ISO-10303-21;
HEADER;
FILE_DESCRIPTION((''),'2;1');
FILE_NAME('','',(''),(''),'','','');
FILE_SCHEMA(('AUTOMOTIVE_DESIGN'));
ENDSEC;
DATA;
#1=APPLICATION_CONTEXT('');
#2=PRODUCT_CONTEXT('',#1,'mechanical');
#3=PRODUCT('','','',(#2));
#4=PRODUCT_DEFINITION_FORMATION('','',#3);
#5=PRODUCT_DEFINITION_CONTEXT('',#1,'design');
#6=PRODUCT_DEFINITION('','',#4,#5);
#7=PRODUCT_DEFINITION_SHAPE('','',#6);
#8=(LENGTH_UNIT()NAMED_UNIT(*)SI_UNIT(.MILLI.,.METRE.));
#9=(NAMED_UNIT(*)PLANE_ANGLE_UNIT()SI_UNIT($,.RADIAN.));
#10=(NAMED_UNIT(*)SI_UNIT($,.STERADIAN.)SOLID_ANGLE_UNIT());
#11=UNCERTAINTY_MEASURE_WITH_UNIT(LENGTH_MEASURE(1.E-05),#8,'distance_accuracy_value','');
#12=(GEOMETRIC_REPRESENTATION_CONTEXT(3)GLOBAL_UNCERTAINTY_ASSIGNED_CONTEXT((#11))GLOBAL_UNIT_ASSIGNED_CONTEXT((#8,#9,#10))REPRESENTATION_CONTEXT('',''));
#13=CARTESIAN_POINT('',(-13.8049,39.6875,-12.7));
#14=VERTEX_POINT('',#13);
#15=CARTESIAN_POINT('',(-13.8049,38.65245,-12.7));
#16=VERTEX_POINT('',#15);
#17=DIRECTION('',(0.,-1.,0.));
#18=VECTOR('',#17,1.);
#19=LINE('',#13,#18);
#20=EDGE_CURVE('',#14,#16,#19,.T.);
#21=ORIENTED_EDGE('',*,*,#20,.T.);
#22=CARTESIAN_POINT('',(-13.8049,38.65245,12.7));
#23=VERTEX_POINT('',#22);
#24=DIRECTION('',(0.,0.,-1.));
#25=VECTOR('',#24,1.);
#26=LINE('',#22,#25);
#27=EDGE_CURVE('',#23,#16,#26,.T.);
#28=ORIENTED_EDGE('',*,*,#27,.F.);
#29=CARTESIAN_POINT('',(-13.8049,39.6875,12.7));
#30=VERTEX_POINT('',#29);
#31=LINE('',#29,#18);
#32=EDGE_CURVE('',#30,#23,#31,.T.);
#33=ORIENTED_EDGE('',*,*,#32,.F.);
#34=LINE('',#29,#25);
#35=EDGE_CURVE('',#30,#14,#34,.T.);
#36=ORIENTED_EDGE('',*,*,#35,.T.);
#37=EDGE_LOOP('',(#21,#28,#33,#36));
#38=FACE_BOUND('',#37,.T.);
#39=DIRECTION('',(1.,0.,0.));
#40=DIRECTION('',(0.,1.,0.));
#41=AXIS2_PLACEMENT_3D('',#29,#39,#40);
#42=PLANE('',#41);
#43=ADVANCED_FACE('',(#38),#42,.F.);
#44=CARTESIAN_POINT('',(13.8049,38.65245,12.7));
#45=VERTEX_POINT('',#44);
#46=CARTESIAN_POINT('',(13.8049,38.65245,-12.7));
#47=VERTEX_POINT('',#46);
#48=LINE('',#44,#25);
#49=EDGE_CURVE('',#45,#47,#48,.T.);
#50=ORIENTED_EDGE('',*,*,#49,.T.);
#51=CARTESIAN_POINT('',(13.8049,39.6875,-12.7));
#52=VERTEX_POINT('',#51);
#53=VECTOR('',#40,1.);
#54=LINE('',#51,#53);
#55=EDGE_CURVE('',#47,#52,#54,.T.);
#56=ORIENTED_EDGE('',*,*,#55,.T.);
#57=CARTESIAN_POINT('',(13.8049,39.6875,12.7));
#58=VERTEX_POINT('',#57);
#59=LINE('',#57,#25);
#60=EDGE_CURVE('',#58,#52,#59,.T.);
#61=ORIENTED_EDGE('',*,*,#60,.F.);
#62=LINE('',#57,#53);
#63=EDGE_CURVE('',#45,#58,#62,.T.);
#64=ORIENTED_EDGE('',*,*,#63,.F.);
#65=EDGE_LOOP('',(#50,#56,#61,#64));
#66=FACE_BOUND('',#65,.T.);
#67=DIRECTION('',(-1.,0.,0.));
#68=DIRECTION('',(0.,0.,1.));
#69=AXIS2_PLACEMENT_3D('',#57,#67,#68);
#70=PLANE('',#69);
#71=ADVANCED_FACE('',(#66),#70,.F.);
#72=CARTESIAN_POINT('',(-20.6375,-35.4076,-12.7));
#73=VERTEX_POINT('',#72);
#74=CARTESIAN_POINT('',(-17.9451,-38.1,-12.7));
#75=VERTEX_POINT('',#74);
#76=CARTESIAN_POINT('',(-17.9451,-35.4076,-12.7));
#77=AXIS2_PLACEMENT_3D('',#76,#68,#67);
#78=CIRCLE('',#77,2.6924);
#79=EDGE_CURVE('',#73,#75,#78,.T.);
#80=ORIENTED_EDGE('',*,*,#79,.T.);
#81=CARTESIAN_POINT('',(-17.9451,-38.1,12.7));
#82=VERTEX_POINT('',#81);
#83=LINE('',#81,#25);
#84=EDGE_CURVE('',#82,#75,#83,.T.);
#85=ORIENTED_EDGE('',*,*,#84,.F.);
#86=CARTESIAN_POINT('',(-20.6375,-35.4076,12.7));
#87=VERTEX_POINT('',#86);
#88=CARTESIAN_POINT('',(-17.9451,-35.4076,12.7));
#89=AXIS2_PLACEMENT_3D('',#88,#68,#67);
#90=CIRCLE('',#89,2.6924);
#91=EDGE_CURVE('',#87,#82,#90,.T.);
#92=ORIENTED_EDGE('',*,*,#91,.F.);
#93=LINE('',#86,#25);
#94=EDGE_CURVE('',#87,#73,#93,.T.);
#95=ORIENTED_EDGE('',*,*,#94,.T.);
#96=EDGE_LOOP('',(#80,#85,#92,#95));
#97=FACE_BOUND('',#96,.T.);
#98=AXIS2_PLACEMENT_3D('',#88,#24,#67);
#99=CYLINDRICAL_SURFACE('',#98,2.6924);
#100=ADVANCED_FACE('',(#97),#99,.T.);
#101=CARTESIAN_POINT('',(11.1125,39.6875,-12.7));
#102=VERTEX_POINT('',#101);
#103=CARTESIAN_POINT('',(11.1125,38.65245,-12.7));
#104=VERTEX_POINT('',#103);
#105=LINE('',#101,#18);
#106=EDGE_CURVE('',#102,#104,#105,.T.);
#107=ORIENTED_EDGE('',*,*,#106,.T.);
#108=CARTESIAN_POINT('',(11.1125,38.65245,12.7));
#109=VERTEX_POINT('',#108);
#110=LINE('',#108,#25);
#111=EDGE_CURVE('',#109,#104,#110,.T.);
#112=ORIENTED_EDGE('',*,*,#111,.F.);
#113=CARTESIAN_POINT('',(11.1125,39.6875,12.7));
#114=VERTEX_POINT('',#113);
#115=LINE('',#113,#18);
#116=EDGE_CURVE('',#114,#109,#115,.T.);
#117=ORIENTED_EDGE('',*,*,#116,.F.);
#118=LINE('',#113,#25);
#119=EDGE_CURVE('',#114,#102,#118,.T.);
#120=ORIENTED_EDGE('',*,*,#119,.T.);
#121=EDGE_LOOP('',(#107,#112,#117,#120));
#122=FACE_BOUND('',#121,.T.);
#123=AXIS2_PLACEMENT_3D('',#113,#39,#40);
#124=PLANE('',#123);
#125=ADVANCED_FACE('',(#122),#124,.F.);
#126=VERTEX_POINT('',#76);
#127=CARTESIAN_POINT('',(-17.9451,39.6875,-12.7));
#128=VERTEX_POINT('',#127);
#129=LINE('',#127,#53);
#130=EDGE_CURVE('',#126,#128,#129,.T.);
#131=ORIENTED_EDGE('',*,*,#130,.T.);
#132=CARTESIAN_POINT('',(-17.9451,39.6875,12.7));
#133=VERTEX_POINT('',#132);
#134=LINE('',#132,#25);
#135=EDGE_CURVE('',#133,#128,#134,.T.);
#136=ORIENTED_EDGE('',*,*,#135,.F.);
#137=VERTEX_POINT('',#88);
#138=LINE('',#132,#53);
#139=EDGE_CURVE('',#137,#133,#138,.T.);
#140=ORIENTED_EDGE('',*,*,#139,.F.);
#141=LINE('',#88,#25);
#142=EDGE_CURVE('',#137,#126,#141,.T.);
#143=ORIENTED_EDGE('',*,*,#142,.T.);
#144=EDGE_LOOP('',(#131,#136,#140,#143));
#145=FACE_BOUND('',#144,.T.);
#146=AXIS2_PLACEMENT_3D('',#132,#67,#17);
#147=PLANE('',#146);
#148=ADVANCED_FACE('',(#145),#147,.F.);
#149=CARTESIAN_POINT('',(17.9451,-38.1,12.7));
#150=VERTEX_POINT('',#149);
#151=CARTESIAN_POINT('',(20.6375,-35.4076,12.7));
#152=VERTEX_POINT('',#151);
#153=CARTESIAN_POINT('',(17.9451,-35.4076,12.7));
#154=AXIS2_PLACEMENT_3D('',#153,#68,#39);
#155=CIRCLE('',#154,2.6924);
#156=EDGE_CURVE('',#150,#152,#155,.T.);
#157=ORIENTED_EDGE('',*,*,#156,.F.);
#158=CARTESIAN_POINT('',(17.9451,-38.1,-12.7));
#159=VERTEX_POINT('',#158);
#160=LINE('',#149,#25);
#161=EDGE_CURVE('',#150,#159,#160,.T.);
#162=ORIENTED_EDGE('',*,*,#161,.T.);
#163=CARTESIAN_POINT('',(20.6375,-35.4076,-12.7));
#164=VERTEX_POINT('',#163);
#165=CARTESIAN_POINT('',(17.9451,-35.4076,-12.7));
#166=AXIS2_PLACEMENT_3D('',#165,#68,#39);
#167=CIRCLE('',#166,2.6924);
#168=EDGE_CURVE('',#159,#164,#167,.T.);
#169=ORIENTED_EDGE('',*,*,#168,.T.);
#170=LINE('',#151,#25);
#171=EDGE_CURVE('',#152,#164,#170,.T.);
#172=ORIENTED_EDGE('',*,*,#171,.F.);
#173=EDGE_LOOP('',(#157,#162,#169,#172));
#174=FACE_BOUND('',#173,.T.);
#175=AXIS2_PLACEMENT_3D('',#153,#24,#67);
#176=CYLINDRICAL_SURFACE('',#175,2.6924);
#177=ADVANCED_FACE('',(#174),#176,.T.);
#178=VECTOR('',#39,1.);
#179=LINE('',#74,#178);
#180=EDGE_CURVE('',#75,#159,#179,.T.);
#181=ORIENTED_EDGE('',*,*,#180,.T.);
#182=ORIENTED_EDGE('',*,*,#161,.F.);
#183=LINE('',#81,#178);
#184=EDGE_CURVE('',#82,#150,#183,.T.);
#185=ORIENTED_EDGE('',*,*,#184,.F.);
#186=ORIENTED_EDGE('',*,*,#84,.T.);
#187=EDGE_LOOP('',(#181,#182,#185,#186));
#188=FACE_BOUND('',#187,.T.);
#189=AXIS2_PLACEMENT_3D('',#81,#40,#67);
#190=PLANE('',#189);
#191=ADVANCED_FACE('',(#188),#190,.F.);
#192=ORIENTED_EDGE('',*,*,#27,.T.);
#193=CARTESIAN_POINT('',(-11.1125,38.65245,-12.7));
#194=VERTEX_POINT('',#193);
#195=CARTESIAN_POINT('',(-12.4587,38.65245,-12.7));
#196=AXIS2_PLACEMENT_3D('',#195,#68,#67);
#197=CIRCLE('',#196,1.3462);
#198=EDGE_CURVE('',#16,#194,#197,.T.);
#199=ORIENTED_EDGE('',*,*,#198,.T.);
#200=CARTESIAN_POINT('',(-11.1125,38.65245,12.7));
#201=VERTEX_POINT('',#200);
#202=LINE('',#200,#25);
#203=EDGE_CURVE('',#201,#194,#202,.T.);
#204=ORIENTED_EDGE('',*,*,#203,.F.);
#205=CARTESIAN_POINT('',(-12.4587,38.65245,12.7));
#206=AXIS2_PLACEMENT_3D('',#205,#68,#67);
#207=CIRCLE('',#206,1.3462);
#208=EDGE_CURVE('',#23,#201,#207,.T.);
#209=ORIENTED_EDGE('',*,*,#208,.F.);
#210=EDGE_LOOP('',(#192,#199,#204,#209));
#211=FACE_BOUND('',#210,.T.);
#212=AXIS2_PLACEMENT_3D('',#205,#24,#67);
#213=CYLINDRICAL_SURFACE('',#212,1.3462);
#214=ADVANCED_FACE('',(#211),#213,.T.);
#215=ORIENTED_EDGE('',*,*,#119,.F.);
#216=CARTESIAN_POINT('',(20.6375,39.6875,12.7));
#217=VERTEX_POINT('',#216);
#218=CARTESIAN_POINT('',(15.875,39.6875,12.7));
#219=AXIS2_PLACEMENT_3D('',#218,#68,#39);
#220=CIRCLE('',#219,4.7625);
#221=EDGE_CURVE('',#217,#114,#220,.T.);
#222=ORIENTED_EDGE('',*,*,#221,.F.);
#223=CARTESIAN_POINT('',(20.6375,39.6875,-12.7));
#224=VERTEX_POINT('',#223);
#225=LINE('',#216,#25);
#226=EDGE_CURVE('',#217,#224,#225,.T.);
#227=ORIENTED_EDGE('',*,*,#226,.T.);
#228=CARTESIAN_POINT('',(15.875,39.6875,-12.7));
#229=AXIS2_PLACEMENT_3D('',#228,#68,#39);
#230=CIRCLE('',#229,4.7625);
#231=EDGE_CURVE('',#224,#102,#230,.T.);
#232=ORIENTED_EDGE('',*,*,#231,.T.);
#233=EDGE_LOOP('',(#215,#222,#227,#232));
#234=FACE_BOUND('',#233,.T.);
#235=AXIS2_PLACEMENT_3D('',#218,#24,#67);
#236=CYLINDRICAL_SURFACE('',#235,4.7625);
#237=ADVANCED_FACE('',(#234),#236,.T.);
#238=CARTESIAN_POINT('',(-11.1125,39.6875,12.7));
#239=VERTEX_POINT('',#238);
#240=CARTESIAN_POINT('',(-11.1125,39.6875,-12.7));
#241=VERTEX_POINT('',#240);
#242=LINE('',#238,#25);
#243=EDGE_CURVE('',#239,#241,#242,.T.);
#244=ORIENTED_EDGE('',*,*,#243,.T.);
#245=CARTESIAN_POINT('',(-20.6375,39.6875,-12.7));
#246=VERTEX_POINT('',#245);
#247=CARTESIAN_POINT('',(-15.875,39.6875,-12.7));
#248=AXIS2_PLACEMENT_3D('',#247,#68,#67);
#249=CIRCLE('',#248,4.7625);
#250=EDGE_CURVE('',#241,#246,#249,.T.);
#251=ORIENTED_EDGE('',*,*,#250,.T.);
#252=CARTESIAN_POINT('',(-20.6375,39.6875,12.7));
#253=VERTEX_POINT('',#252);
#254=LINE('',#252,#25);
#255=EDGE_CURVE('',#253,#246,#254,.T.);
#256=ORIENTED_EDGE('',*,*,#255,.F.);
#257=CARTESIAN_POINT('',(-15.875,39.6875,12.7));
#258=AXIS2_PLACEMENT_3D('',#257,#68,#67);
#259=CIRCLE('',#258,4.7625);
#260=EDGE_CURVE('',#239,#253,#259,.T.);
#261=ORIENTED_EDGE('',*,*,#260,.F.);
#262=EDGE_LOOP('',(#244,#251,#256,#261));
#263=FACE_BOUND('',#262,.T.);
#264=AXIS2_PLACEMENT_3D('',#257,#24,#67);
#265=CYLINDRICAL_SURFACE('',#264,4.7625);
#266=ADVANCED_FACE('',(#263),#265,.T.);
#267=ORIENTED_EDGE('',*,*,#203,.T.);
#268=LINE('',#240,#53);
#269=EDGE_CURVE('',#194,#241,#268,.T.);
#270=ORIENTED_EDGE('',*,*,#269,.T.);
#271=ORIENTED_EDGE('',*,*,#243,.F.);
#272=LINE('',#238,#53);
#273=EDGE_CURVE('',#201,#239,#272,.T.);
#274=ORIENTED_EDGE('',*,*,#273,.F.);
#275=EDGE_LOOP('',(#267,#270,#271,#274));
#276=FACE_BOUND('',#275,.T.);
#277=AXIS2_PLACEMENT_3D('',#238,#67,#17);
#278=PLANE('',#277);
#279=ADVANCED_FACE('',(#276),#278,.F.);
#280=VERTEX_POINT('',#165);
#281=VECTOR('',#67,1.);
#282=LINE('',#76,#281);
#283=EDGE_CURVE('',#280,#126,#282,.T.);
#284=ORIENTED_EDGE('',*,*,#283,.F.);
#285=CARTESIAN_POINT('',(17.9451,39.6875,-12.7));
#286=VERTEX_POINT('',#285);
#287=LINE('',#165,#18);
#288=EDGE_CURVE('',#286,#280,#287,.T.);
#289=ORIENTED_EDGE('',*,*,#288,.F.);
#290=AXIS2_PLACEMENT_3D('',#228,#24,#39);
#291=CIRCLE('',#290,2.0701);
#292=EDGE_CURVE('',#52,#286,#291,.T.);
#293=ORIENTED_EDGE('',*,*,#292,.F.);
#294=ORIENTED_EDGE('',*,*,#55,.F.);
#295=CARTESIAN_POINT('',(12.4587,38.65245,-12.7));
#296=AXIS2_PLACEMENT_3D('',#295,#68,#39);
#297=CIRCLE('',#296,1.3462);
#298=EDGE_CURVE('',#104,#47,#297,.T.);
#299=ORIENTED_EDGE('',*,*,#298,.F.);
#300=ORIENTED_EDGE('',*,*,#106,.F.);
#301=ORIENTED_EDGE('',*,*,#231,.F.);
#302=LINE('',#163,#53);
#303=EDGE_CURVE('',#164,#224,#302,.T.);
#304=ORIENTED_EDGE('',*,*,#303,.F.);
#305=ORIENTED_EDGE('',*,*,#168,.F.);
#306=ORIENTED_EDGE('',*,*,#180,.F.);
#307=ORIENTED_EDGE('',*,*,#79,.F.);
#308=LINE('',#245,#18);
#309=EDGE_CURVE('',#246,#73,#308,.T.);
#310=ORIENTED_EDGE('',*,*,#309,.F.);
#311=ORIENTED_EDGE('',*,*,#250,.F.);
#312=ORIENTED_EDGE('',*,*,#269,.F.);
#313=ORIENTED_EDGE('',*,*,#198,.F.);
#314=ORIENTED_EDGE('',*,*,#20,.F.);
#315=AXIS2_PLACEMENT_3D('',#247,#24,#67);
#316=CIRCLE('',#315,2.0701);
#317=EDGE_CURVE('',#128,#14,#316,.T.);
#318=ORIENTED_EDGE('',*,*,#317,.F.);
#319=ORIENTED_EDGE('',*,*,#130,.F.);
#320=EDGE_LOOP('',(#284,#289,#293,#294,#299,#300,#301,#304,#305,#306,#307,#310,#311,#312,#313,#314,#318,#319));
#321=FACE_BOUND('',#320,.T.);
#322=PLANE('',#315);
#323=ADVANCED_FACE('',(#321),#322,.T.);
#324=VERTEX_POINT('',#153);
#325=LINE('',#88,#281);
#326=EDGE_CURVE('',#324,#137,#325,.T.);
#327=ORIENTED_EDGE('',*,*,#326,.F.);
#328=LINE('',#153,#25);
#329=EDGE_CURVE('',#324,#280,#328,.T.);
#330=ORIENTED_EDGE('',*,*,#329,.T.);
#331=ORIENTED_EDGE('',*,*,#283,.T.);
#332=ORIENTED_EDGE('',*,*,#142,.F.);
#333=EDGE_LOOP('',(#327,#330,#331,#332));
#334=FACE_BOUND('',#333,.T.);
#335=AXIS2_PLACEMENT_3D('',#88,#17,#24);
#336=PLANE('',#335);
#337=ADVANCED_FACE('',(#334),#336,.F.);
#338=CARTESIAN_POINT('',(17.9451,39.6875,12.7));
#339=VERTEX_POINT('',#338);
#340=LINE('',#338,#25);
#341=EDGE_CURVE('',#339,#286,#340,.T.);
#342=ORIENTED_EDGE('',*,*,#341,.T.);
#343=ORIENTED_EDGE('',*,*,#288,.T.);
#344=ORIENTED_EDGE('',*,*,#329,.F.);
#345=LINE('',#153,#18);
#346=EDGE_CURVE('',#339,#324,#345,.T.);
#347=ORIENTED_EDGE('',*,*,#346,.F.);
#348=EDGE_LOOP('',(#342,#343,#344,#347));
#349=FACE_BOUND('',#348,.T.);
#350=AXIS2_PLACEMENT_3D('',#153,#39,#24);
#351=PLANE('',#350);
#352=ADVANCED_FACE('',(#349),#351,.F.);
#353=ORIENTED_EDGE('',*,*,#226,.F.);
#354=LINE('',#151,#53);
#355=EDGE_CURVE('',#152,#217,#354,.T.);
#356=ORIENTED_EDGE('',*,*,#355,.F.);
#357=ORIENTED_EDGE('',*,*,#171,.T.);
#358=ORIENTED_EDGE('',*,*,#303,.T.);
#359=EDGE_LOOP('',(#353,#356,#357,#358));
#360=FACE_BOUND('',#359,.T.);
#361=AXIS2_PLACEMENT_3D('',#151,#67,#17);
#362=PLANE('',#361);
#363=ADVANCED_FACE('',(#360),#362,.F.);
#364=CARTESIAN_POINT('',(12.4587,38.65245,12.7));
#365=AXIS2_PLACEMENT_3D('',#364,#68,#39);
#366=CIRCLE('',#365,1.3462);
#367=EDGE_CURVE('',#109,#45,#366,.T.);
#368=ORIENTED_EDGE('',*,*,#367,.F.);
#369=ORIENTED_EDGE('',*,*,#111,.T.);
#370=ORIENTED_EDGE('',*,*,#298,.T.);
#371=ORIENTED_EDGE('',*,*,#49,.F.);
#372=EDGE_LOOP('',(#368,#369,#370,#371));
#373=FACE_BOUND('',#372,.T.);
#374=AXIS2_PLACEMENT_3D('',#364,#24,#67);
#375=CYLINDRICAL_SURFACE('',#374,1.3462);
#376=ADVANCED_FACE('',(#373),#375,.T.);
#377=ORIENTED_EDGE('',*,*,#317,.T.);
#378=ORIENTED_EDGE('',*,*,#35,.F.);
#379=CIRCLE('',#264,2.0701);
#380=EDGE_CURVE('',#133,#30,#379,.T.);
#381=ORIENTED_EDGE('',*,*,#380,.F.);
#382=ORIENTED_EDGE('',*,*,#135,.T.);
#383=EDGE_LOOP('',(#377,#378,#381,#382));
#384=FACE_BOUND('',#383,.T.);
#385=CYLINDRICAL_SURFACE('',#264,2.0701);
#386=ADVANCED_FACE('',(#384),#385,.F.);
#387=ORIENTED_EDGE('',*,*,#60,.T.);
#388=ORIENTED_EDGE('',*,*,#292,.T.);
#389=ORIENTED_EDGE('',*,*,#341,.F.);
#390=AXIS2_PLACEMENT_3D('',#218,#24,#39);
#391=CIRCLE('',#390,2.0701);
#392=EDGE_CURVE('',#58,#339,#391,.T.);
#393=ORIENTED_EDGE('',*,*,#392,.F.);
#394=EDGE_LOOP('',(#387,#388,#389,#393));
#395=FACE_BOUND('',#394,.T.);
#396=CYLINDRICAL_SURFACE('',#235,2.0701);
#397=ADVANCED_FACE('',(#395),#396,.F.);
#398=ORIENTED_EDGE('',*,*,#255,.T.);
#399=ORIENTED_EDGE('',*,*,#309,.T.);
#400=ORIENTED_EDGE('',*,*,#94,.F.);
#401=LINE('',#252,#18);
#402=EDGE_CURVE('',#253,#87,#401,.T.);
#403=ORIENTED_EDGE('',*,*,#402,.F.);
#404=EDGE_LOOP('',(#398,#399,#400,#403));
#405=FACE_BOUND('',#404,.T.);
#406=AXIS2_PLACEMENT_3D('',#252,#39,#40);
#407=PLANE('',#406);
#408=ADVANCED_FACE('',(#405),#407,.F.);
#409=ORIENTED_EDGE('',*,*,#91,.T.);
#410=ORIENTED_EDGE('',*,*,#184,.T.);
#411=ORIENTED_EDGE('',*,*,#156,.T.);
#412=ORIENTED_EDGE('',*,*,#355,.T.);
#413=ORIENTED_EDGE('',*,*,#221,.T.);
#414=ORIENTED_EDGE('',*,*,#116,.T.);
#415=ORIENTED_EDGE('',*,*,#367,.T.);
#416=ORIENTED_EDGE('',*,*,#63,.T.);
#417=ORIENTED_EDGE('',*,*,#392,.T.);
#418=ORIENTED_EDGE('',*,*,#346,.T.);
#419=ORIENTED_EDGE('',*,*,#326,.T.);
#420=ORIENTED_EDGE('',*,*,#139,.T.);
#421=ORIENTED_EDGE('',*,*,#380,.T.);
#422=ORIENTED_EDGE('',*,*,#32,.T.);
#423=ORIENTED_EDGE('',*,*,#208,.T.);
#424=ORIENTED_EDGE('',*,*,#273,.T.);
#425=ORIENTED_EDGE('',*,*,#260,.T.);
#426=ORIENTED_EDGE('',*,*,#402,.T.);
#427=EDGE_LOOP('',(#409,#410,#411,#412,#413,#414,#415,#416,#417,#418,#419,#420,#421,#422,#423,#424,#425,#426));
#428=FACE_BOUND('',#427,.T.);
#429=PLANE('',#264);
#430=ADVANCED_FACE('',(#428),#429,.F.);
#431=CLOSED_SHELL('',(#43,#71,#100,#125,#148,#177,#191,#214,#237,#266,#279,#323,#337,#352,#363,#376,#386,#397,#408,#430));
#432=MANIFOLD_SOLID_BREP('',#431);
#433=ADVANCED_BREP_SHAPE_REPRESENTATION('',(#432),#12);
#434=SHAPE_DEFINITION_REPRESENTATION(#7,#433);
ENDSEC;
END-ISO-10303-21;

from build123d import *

# Parameters (mm, degrees)
BASE_EXTRUDE_DEPTH = 12.7


with BuildPart() as part:
    # Sketch1 → Base-Extrude (new, symmetric)
    with BuildSketch(Plane.XY):
        with BuildLine():
            Line((-20.6375, 39.6875), (-20.6375, -35.4076))
            ThreePointArc((-20.6375, -35.4076), (-19.848914298, -37.311414298), (-17.9451, -38.1))
            Line((-17.9451, -38.1), (17.9451, -38.1))
            ThreePointArc((17.9451, -38.1), (19.848914298, -37.311414298), (20.6375, -35.4076))
            Line((20.6375, -35.4076), (20.6375, 39.6875))
            ThreePointArc((20.6375, 39.6875), (15.875, 44.45), (11.1125, 39.6875))
            Line((11.1125, 39.6875), (11.1125, 38.65245))
            ThreePointArc((11.1125, 38.65245), (12.4587, 37.30625), (13.8049, 38.65245))
            Line((13.8049, 38.65245), (13.8049, 39.6875))
            ThreePointArc((13.8049, 39.6875), (15.875, 41.7576), (17.9451, 39.6875))
            Line((17.9451, 39.6875), (17.9451, -35.4076))
            Line((17.9451, -35.4076), (-17.9451, -35.4076))
            Line((-17.9451, -35.4076), (-17.9451, 39.6875))
            ThreePointArc((-17.9451, 39.6875), (-15.875, 41.7576), (-13.8049, 39.6875))
            Line((-13.8049, 39.6875), (-13.8049, 38.65245))
            ThreePointArc((-13.8049, 38.65245), (-12.4587, 37.30625), (-11.1125, 38.65245))
            Line((-11.1125, 38.65245), (-11.1125, 39.6875))
            ThreePointArc((-11.1125, 39.6875), (-15.875, 44.45), (-20.6375, 39.6875))
        make_face()
    extrude(amount=BASE_EXTRUDE_DEPTH, both=True)


solid = part.part
